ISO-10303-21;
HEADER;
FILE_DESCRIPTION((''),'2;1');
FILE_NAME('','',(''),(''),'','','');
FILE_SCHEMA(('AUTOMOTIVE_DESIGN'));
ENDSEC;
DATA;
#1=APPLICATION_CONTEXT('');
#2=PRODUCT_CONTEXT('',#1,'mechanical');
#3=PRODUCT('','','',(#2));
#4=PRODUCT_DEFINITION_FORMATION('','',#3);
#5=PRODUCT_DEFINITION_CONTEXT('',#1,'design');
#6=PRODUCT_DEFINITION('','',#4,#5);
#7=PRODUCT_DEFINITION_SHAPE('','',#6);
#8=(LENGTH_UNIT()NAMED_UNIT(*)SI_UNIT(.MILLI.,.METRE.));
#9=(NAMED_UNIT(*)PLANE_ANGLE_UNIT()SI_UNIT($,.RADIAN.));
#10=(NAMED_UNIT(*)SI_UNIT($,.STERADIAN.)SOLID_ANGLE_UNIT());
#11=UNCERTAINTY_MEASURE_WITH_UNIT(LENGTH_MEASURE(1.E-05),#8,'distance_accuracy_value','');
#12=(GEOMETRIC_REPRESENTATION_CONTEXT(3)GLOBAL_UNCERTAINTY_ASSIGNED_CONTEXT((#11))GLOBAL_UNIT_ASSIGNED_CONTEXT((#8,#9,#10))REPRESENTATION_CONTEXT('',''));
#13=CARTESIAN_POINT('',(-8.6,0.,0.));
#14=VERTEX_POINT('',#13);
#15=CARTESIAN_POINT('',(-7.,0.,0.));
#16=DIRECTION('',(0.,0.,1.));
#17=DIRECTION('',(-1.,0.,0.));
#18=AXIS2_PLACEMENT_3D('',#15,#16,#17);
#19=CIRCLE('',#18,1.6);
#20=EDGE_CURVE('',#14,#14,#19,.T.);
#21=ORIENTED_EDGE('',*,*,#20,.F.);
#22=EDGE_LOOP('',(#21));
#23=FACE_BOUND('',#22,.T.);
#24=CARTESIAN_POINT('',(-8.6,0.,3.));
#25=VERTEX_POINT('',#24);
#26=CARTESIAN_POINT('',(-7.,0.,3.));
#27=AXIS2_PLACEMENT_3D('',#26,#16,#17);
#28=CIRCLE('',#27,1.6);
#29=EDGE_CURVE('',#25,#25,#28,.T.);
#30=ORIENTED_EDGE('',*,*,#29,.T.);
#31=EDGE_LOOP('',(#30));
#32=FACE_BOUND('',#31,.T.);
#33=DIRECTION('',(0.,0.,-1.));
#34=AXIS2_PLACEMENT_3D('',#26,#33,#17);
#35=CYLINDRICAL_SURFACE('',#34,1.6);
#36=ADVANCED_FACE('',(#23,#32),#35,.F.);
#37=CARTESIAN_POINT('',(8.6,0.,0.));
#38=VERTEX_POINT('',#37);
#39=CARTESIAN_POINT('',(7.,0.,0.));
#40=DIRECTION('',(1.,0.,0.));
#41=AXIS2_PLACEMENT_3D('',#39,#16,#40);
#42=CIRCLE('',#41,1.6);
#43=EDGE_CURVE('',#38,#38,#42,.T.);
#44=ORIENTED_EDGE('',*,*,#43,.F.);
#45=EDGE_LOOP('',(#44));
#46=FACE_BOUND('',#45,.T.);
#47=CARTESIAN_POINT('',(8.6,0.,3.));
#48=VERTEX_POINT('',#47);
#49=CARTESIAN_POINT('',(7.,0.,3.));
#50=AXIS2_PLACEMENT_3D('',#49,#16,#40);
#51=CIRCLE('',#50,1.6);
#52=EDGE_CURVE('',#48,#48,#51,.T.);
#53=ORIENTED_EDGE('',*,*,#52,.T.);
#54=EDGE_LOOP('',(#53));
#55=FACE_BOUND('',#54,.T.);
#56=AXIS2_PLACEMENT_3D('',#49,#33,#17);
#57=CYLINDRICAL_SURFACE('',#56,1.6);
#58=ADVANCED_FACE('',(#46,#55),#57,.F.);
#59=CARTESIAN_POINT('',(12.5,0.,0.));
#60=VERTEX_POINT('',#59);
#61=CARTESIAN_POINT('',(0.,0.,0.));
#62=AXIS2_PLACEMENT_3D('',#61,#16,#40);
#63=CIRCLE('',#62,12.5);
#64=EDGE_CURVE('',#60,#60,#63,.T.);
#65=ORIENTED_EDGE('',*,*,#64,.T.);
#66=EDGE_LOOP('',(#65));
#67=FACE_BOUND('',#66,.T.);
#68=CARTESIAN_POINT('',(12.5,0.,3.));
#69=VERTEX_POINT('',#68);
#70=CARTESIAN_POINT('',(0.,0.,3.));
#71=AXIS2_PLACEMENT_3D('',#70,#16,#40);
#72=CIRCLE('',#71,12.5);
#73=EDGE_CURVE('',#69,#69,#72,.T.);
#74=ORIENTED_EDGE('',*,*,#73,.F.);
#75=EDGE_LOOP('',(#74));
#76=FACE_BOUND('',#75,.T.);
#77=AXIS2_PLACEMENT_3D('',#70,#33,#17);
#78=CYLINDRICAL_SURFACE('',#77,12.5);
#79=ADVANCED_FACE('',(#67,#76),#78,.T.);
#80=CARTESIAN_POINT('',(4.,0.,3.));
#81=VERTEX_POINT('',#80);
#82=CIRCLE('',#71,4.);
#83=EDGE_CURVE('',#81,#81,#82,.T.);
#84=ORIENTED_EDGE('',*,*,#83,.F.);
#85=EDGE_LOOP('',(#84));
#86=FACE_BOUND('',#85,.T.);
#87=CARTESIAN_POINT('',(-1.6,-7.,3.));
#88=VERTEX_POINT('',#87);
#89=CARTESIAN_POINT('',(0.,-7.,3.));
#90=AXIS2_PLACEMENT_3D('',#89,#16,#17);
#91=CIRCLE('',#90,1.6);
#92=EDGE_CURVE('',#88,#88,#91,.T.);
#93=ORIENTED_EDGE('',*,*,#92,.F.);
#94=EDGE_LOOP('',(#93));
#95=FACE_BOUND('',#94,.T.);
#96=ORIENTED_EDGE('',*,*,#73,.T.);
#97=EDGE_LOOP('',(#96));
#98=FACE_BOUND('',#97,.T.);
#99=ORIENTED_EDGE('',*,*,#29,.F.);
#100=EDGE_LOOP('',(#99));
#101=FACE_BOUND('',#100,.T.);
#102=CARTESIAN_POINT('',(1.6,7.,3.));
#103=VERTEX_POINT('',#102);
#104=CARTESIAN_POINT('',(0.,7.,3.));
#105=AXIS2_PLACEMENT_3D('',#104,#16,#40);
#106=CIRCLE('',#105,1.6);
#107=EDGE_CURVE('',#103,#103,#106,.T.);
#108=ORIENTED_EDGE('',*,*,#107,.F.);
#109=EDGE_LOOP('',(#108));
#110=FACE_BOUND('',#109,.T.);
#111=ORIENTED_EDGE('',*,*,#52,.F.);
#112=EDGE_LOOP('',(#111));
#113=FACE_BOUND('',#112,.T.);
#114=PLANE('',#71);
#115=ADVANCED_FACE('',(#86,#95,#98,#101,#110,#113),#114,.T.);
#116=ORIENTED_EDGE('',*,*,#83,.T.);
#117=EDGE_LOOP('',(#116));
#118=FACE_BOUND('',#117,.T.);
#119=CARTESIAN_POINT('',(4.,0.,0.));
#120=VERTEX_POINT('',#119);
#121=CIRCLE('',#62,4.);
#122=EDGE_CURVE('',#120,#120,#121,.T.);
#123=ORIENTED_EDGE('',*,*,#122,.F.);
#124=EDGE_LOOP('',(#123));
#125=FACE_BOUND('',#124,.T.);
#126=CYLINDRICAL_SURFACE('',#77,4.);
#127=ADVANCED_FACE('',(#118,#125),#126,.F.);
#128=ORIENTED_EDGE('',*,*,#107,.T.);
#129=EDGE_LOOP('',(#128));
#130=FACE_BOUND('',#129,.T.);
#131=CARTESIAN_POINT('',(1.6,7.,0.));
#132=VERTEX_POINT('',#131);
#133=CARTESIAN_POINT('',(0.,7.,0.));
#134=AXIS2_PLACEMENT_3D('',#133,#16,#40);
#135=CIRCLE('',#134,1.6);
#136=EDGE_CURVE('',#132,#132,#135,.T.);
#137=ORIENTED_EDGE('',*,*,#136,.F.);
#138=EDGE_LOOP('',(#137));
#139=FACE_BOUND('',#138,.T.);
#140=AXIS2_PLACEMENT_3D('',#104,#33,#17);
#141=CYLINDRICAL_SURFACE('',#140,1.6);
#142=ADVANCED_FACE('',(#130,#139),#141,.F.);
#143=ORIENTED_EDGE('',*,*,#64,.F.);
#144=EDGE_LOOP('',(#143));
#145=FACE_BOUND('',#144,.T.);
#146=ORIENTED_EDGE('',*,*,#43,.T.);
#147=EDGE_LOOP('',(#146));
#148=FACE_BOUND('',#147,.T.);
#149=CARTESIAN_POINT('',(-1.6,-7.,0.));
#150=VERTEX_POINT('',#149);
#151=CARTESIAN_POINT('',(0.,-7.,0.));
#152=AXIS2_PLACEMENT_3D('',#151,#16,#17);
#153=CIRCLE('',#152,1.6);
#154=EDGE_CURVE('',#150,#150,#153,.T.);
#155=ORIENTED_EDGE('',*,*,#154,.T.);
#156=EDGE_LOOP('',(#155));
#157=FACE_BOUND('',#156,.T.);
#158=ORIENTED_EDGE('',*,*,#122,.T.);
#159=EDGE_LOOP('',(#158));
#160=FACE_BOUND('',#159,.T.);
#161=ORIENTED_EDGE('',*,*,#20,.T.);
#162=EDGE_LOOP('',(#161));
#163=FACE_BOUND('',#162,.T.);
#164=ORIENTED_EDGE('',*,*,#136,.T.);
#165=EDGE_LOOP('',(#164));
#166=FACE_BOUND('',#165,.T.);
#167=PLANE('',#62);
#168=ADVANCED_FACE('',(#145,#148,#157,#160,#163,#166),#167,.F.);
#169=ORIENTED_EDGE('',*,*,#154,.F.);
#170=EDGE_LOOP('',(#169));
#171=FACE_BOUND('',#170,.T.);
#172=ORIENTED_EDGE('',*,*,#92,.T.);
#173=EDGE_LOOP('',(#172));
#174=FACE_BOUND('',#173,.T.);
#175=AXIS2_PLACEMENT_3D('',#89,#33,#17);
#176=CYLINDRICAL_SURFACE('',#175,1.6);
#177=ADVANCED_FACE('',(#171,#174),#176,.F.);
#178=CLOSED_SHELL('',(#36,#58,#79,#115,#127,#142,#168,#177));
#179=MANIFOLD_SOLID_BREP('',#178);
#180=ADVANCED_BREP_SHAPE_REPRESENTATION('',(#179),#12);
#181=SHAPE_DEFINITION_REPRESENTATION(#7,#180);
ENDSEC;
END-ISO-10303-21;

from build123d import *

# Parameters (mm, degrees)
SKETCH_1_R      = 12.5
SKETCH_1_R_2    = 4
SKETCH_1_R_3    = 1.6
EXTRUDE_1_DEPTH = 3


with BuildPart() as part:
    # 草图1 → 凸台-拉伸1 (new body)
    with BuildSketch(Plane.XY):
        Circle(SKETCH_1_R)
        Circle(SKETCH_1_R_2, mode=Mode.SUBTRACT)
        with Locations((0, 7)):
            Circle(SKETCH_1_R_3, mode=Mode.SUBTRACT)
        with Locations((7, 0)):
            Circle(SKETCH_1_R_3, mode=Mode.SUBTRACT)
        with Locations(Location((-7, 0, 0), (0, 0, 180))):
            Circle(SKETCH_1_R_3, mode=Mode.SUBTRACT)
        with Locations(Location((0, -7, 0), (0, 0, 180))):
            Circle(SKETCH_1_R_3, mode=Mode.SUBTRACT)
    extrude(amount=EXTRUDE_1_DEPTH)


solid = part.part
